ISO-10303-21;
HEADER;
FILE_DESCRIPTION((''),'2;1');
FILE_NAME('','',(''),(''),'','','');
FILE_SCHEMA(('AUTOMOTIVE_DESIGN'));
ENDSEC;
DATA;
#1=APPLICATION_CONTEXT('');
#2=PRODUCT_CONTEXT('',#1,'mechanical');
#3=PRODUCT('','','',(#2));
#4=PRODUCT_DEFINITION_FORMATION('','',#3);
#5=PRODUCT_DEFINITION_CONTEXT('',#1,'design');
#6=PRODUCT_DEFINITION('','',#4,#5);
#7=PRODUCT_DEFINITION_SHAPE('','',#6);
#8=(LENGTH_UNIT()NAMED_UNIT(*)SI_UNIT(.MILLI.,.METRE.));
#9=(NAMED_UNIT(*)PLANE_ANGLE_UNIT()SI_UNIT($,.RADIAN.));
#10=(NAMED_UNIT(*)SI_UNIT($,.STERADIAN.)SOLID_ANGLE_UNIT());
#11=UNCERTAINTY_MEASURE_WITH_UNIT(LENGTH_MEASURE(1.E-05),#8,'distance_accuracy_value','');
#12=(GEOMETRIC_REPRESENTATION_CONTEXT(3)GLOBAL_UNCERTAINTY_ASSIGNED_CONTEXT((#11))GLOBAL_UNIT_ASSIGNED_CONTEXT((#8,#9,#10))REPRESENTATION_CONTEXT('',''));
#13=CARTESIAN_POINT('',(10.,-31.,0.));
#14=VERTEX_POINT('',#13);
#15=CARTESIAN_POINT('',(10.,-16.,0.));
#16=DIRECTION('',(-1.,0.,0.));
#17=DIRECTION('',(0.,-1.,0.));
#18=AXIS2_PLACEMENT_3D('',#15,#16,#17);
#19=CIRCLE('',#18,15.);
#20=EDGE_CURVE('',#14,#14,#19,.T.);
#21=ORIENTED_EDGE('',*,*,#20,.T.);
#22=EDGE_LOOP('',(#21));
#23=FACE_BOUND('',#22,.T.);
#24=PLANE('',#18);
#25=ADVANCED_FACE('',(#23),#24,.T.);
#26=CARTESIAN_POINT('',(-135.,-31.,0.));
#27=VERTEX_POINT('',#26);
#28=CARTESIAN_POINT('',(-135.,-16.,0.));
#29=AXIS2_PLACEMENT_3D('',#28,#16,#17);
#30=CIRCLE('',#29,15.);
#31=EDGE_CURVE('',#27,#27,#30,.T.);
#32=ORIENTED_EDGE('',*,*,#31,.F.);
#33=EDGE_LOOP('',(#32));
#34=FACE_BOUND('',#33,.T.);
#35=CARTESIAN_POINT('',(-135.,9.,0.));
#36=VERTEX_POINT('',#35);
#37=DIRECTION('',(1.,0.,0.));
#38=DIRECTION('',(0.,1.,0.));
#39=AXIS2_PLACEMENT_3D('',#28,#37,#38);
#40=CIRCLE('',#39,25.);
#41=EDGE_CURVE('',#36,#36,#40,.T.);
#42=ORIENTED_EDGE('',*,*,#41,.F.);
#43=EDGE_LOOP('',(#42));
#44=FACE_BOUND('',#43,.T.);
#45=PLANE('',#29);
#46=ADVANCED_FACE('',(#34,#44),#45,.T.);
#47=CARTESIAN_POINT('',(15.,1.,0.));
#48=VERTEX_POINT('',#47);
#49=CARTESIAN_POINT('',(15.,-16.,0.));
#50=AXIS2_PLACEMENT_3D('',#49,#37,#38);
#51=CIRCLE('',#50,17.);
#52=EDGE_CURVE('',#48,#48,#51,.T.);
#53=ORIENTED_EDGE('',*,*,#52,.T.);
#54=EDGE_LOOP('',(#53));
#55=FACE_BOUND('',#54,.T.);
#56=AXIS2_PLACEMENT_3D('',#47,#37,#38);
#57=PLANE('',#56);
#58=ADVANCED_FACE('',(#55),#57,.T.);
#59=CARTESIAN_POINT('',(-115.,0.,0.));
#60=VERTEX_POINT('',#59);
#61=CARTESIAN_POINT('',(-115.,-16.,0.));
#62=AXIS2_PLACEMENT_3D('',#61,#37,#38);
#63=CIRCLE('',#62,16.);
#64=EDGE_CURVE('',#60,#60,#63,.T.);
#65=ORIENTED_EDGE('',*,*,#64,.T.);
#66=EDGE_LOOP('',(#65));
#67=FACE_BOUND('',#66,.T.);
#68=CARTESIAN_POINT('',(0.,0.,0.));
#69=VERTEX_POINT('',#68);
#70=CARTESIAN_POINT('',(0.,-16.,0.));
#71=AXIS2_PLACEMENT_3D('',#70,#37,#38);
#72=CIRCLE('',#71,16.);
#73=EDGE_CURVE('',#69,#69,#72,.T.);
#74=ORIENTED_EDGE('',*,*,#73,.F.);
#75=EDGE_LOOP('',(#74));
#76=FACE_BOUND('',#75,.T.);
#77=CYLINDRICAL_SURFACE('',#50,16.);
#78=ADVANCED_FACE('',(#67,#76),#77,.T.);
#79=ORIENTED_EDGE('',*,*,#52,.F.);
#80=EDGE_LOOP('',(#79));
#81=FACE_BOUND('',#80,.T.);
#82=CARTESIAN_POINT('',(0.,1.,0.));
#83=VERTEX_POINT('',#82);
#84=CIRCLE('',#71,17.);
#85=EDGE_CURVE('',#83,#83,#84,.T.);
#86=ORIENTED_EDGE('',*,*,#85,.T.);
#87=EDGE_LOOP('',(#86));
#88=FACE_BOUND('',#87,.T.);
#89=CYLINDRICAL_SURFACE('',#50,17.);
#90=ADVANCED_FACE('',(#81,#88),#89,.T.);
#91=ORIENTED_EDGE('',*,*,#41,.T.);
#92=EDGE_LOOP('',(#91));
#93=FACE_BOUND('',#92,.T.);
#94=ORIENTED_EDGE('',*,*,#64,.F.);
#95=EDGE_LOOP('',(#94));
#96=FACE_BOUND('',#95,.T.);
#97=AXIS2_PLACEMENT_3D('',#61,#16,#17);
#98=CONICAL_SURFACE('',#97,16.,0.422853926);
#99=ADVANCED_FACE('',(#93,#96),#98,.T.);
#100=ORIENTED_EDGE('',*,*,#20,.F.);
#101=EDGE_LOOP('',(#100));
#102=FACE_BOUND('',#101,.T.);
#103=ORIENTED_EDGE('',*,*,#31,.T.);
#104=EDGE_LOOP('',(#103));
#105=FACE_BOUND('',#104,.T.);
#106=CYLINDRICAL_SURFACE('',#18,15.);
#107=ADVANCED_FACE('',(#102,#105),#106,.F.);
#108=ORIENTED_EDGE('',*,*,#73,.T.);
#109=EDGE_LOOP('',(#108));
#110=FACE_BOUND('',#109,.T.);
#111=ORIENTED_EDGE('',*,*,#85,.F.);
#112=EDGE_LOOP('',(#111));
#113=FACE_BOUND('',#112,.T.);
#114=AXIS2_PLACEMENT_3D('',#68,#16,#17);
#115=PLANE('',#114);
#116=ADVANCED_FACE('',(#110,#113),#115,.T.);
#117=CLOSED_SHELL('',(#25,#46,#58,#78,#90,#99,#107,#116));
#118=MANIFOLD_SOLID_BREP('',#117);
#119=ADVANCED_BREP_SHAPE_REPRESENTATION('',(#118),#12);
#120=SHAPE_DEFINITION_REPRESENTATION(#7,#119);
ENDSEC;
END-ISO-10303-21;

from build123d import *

# Parameters (mm, degrees)
SKETCH2_R          = 15
CUT_EXTRUDE1_DEPTH = 145


with BuildPart() as part:
    # Sketch1 → Revolve1 (revolve)
    with BuildSketch(Plane.XY):
        Polygon((-115, 0), (-135, 9), (-135, -16), (15, -16), (15, 1), (0, 1), (0, 0), align=None)
    revolve(axis=Axis((15, -16, 0), (-1, 0, 0)))

    # Sketch2 → Cut-Extrude1 (cut)
    with BuildSketch(Plane.ZY.offset(135)):
        with Locations((0, -16)):
            Circle(SKETCH2_R)
    extrude(amount=-CUT_EXTRUDE1_DEPTH, mode=Mode.SUBTRACT)


solid = part.part
